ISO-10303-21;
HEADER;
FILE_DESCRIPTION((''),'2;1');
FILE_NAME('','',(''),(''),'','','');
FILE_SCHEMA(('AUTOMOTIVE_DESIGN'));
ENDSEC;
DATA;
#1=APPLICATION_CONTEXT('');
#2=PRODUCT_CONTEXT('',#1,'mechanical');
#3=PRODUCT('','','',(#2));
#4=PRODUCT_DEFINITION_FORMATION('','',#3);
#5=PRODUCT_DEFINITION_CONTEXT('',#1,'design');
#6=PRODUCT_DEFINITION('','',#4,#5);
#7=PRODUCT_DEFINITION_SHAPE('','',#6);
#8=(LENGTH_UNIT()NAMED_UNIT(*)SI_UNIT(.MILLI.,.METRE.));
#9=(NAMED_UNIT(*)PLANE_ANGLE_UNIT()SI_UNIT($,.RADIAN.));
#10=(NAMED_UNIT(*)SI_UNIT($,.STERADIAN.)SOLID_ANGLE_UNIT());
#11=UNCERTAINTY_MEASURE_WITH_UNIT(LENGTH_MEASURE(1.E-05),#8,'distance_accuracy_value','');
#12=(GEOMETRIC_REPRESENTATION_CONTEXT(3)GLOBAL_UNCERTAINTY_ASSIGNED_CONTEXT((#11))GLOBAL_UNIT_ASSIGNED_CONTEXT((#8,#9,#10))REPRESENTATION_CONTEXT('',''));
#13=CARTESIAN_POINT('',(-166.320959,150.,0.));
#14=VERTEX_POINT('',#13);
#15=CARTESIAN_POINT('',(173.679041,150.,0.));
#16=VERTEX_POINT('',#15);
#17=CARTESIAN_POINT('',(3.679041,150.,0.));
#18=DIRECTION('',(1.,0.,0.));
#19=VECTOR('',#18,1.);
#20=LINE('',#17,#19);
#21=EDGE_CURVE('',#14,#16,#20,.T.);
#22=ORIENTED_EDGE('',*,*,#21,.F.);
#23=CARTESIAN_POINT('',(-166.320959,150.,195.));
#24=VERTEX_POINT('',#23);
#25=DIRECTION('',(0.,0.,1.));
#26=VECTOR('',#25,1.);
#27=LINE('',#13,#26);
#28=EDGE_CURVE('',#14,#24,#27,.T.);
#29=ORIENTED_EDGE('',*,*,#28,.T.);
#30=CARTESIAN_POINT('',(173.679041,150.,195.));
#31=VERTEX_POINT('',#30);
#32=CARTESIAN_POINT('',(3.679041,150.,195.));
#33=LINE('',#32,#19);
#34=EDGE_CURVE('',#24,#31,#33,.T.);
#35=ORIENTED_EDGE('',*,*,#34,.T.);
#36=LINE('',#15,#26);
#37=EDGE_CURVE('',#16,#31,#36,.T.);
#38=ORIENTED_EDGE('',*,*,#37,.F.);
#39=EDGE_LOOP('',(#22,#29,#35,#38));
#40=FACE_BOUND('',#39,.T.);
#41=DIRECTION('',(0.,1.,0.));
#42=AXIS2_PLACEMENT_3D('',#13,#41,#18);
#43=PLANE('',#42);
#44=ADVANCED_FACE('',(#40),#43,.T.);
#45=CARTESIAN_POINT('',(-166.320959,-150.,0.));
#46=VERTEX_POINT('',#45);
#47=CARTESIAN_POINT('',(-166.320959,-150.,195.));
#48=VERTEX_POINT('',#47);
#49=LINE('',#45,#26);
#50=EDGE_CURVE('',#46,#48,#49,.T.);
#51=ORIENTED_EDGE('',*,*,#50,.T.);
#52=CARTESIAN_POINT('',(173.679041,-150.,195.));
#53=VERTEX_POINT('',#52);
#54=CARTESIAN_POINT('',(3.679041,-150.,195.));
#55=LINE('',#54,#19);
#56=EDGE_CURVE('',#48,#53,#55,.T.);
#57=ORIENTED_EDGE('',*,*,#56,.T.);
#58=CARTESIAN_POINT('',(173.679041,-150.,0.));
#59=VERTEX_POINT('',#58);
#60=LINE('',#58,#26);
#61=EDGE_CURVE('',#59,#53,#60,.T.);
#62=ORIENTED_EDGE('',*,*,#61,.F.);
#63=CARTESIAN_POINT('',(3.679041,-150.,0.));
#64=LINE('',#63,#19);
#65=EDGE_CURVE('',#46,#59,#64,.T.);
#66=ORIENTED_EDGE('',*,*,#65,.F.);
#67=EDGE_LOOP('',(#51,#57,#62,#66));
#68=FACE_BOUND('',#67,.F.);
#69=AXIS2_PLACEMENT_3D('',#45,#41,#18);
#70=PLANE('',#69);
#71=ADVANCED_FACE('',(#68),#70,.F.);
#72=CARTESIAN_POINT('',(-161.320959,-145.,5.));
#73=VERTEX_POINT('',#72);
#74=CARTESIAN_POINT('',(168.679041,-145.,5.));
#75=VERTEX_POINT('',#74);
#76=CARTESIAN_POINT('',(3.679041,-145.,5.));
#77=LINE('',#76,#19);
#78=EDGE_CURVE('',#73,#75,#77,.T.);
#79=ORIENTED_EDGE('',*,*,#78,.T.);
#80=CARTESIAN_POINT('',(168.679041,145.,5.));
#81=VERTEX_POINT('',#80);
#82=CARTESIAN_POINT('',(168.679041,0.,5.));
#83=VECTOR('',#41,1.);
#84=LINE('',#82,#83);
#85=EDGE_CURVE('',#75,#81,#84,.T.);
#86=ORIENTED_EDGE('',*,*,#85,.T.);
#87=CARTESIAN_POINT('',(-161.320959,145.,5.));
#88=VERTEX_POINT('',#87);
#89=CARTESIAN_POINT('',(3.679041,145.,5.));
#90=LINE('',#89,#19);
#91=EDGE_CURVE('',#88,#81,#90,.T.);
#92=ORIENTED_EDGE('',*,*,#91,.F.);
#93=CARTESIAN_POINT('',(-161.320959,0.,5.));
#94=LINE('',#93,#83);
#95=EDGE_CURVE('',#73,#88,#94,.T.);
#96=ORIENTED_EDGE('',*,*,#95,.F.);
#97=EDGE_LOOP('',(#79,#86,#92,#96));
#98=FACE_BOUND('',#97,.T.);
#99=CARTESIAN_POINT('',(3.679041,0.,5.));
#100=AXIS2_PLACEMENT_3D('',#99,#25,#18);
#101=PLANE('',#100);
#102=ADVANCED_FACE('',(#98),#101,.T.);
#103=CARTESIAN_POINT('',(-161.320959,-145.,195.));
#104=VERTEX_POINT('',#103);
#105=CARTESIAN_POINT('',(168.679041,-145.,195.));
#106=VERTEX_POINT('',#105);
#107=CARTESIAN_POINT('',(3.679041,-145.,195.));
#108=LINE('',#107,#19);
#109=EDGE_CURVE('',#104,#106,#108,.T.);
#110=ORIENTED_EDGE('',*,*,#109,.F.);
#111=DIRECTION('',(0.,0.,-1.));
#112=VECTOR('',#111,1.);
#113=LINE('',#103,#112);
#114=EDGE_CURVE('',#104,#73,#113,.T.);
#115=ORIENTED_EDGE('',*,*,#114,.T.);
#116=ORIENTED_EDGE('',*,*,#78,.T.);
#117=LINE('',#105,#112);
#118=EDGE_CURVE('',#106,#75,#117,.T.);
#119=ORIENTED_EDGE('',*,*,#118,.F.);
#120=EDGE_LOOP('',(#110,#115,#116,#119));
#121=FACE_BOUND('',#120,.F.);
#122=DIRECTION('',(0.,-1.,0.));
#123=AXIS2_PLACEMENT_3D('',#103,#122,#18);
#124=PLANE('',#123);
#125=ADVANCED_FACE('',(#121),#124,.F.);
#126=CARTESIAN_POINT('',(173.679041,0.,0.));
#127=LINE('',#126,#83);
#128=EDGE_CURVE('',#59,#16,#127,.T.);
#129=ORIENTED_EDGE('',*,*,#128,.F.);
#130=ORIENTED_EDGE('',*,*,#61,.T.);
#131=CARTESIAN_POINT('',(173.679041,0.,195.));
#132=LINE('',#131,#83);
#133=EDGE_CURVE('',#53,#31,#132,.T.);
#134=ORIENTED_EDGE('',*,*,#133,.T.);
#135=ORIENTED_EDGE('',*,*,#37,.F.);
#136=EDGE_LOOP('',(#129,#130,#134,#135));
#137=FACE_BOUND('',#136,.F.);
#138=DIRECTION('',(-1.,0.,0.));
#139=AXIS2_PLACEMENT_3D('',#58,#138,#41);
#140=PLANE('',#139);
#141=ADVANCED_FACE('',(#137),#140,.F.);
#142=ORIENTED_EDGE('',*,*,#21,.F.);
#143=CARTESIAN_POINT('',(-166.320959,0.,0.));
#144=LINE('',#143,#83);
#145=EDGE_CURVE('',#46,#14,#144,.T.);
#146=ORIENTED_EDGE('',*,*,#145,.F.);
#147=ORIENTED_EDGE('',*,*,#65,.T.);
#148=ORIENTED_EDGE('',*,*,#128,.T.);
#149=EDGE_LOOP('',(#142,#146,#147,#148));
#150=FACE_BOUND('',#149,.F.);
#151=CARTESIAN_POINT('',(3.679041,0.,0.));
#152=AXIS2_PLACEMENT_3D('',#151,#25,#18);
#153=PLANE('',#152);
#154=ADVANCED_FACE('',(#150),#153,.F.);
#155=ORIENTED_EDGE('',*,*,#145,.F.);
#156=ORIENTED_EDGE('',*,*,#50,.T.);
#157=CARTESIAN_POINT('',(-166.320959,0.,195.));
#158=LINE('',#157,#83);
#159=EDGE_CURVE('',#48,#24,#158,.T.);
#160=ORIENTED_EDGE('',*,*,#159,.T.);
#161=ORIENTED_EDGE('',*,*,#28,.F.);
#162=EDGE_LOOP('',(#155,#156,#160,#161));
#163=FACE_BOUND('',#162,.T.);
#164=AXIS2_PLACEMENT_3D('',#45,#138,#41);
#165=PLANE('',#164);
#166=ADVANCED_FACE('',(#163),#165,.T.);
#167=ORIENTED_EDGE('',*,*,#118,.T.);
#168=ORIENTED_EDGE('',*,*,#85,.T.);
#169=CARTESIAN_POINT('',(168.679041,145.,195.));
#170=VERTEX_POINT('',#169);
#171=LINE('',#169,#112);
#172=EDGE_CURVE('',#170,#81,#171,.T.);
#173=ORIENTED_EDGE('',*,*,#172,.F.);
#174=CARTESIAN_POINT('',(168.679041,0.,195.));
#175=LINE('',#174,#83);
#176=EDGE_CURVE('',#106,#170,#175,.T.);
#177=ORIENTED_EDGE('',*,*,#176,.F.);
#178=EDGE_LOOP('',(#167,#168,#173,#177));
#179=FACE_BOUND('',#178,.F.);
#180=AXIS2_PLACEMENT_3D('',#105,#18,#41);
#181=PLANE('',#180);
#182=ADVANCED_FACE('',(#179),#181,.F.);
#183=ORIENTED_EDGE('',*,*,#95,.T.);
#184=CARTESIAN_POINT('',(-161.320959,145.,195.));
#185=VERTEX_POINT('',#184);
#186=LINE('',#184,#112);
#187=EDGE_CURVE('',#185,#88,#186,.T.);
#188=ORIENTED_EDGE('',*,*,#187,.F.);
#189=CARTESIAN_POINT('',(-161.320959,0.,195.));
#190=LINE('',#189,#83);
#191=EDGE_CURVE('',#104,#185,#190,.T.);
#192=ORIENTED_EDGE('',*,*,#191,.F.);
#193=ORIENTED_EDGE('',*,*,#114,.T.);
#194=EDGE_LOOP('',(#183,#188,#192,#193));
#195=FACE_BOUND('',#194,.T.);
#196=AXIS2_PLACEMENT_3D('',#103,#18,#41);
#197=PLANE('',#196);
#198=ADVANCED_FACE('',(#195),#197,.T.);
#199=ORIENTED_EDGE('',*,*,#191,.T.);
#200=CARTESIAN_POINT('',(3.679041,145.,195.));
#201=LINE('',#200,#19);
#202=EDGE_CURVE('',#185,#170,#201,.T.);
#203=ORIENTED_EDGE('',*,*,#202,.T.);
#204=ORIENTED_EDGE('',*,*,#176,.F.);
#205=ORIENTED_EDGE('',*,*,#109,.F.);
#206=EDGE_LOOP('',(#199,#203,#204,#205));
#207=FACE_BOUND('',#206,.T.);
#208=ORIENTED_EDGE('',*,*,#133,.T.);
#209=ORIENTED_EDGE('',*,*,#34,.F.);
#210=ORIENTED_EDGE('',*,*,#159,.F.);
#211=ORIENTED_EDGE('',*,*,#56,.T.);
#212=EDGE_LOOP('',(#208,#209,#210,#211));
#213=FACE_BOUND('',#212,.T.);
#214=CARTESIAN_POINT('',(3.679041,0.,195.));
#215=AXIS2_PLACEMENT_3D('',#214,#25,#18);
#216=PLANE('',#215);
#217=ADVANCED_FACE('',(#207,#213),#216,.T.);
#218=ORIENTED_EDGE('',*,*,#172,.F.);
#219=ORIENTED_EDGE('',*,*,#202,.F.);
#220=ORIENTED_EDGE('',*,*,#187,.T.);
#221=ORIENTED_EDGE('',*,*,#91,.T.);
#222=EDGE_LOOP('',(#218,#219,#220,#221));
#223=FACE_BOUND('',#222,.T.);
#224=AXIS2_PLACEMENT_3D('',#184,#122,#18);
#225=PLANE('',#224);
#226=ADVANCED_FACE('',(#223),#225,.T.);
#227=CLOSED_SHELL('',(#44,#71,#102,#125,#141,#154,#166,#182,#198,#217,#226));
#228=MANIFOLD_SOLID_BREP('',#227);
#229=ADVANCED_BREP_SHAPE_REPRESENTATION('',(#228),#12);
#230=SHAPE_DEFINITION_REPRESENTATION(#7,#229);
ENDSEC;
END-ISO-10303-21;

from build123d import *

# Parameters (mm, degrees)
F0_W     = 340
F0_H     = 300
F0_W_2   = 330
F0_H_2   = 290
F1_DEPTH = 195
F2_W     = 330
F2_H     = 290
F3_DEPTH = 190


with BuildPart() as f1:
    # F0 (on Top) → F1 (new body)
    with BuildSketch(Plane.XY):
        with Locations((3.679041, 0)):
            Rectangle(F0_W, F0_H)
        with Locations((3.679041, 0)):
            Rectangle(F0_W_2, F0_H_2, mode=Mode.SUBTRACT)
        with Locations((3.679041, 0)):
            Rectangle(F0_W_2, F0_H_2)
    extrude(amount=F1_DEPTH)

    # F2 (on face) → F3 (cut)
    with BuildSketch(Plane.XY.offset(195)):
        with Locations((3.679041, 0)):
            Rectangle(F2_W, F2_H)
    extrude(amount=-F3_DEPTH, mode=Mode.SUBTRACT)


solid = f1.part
